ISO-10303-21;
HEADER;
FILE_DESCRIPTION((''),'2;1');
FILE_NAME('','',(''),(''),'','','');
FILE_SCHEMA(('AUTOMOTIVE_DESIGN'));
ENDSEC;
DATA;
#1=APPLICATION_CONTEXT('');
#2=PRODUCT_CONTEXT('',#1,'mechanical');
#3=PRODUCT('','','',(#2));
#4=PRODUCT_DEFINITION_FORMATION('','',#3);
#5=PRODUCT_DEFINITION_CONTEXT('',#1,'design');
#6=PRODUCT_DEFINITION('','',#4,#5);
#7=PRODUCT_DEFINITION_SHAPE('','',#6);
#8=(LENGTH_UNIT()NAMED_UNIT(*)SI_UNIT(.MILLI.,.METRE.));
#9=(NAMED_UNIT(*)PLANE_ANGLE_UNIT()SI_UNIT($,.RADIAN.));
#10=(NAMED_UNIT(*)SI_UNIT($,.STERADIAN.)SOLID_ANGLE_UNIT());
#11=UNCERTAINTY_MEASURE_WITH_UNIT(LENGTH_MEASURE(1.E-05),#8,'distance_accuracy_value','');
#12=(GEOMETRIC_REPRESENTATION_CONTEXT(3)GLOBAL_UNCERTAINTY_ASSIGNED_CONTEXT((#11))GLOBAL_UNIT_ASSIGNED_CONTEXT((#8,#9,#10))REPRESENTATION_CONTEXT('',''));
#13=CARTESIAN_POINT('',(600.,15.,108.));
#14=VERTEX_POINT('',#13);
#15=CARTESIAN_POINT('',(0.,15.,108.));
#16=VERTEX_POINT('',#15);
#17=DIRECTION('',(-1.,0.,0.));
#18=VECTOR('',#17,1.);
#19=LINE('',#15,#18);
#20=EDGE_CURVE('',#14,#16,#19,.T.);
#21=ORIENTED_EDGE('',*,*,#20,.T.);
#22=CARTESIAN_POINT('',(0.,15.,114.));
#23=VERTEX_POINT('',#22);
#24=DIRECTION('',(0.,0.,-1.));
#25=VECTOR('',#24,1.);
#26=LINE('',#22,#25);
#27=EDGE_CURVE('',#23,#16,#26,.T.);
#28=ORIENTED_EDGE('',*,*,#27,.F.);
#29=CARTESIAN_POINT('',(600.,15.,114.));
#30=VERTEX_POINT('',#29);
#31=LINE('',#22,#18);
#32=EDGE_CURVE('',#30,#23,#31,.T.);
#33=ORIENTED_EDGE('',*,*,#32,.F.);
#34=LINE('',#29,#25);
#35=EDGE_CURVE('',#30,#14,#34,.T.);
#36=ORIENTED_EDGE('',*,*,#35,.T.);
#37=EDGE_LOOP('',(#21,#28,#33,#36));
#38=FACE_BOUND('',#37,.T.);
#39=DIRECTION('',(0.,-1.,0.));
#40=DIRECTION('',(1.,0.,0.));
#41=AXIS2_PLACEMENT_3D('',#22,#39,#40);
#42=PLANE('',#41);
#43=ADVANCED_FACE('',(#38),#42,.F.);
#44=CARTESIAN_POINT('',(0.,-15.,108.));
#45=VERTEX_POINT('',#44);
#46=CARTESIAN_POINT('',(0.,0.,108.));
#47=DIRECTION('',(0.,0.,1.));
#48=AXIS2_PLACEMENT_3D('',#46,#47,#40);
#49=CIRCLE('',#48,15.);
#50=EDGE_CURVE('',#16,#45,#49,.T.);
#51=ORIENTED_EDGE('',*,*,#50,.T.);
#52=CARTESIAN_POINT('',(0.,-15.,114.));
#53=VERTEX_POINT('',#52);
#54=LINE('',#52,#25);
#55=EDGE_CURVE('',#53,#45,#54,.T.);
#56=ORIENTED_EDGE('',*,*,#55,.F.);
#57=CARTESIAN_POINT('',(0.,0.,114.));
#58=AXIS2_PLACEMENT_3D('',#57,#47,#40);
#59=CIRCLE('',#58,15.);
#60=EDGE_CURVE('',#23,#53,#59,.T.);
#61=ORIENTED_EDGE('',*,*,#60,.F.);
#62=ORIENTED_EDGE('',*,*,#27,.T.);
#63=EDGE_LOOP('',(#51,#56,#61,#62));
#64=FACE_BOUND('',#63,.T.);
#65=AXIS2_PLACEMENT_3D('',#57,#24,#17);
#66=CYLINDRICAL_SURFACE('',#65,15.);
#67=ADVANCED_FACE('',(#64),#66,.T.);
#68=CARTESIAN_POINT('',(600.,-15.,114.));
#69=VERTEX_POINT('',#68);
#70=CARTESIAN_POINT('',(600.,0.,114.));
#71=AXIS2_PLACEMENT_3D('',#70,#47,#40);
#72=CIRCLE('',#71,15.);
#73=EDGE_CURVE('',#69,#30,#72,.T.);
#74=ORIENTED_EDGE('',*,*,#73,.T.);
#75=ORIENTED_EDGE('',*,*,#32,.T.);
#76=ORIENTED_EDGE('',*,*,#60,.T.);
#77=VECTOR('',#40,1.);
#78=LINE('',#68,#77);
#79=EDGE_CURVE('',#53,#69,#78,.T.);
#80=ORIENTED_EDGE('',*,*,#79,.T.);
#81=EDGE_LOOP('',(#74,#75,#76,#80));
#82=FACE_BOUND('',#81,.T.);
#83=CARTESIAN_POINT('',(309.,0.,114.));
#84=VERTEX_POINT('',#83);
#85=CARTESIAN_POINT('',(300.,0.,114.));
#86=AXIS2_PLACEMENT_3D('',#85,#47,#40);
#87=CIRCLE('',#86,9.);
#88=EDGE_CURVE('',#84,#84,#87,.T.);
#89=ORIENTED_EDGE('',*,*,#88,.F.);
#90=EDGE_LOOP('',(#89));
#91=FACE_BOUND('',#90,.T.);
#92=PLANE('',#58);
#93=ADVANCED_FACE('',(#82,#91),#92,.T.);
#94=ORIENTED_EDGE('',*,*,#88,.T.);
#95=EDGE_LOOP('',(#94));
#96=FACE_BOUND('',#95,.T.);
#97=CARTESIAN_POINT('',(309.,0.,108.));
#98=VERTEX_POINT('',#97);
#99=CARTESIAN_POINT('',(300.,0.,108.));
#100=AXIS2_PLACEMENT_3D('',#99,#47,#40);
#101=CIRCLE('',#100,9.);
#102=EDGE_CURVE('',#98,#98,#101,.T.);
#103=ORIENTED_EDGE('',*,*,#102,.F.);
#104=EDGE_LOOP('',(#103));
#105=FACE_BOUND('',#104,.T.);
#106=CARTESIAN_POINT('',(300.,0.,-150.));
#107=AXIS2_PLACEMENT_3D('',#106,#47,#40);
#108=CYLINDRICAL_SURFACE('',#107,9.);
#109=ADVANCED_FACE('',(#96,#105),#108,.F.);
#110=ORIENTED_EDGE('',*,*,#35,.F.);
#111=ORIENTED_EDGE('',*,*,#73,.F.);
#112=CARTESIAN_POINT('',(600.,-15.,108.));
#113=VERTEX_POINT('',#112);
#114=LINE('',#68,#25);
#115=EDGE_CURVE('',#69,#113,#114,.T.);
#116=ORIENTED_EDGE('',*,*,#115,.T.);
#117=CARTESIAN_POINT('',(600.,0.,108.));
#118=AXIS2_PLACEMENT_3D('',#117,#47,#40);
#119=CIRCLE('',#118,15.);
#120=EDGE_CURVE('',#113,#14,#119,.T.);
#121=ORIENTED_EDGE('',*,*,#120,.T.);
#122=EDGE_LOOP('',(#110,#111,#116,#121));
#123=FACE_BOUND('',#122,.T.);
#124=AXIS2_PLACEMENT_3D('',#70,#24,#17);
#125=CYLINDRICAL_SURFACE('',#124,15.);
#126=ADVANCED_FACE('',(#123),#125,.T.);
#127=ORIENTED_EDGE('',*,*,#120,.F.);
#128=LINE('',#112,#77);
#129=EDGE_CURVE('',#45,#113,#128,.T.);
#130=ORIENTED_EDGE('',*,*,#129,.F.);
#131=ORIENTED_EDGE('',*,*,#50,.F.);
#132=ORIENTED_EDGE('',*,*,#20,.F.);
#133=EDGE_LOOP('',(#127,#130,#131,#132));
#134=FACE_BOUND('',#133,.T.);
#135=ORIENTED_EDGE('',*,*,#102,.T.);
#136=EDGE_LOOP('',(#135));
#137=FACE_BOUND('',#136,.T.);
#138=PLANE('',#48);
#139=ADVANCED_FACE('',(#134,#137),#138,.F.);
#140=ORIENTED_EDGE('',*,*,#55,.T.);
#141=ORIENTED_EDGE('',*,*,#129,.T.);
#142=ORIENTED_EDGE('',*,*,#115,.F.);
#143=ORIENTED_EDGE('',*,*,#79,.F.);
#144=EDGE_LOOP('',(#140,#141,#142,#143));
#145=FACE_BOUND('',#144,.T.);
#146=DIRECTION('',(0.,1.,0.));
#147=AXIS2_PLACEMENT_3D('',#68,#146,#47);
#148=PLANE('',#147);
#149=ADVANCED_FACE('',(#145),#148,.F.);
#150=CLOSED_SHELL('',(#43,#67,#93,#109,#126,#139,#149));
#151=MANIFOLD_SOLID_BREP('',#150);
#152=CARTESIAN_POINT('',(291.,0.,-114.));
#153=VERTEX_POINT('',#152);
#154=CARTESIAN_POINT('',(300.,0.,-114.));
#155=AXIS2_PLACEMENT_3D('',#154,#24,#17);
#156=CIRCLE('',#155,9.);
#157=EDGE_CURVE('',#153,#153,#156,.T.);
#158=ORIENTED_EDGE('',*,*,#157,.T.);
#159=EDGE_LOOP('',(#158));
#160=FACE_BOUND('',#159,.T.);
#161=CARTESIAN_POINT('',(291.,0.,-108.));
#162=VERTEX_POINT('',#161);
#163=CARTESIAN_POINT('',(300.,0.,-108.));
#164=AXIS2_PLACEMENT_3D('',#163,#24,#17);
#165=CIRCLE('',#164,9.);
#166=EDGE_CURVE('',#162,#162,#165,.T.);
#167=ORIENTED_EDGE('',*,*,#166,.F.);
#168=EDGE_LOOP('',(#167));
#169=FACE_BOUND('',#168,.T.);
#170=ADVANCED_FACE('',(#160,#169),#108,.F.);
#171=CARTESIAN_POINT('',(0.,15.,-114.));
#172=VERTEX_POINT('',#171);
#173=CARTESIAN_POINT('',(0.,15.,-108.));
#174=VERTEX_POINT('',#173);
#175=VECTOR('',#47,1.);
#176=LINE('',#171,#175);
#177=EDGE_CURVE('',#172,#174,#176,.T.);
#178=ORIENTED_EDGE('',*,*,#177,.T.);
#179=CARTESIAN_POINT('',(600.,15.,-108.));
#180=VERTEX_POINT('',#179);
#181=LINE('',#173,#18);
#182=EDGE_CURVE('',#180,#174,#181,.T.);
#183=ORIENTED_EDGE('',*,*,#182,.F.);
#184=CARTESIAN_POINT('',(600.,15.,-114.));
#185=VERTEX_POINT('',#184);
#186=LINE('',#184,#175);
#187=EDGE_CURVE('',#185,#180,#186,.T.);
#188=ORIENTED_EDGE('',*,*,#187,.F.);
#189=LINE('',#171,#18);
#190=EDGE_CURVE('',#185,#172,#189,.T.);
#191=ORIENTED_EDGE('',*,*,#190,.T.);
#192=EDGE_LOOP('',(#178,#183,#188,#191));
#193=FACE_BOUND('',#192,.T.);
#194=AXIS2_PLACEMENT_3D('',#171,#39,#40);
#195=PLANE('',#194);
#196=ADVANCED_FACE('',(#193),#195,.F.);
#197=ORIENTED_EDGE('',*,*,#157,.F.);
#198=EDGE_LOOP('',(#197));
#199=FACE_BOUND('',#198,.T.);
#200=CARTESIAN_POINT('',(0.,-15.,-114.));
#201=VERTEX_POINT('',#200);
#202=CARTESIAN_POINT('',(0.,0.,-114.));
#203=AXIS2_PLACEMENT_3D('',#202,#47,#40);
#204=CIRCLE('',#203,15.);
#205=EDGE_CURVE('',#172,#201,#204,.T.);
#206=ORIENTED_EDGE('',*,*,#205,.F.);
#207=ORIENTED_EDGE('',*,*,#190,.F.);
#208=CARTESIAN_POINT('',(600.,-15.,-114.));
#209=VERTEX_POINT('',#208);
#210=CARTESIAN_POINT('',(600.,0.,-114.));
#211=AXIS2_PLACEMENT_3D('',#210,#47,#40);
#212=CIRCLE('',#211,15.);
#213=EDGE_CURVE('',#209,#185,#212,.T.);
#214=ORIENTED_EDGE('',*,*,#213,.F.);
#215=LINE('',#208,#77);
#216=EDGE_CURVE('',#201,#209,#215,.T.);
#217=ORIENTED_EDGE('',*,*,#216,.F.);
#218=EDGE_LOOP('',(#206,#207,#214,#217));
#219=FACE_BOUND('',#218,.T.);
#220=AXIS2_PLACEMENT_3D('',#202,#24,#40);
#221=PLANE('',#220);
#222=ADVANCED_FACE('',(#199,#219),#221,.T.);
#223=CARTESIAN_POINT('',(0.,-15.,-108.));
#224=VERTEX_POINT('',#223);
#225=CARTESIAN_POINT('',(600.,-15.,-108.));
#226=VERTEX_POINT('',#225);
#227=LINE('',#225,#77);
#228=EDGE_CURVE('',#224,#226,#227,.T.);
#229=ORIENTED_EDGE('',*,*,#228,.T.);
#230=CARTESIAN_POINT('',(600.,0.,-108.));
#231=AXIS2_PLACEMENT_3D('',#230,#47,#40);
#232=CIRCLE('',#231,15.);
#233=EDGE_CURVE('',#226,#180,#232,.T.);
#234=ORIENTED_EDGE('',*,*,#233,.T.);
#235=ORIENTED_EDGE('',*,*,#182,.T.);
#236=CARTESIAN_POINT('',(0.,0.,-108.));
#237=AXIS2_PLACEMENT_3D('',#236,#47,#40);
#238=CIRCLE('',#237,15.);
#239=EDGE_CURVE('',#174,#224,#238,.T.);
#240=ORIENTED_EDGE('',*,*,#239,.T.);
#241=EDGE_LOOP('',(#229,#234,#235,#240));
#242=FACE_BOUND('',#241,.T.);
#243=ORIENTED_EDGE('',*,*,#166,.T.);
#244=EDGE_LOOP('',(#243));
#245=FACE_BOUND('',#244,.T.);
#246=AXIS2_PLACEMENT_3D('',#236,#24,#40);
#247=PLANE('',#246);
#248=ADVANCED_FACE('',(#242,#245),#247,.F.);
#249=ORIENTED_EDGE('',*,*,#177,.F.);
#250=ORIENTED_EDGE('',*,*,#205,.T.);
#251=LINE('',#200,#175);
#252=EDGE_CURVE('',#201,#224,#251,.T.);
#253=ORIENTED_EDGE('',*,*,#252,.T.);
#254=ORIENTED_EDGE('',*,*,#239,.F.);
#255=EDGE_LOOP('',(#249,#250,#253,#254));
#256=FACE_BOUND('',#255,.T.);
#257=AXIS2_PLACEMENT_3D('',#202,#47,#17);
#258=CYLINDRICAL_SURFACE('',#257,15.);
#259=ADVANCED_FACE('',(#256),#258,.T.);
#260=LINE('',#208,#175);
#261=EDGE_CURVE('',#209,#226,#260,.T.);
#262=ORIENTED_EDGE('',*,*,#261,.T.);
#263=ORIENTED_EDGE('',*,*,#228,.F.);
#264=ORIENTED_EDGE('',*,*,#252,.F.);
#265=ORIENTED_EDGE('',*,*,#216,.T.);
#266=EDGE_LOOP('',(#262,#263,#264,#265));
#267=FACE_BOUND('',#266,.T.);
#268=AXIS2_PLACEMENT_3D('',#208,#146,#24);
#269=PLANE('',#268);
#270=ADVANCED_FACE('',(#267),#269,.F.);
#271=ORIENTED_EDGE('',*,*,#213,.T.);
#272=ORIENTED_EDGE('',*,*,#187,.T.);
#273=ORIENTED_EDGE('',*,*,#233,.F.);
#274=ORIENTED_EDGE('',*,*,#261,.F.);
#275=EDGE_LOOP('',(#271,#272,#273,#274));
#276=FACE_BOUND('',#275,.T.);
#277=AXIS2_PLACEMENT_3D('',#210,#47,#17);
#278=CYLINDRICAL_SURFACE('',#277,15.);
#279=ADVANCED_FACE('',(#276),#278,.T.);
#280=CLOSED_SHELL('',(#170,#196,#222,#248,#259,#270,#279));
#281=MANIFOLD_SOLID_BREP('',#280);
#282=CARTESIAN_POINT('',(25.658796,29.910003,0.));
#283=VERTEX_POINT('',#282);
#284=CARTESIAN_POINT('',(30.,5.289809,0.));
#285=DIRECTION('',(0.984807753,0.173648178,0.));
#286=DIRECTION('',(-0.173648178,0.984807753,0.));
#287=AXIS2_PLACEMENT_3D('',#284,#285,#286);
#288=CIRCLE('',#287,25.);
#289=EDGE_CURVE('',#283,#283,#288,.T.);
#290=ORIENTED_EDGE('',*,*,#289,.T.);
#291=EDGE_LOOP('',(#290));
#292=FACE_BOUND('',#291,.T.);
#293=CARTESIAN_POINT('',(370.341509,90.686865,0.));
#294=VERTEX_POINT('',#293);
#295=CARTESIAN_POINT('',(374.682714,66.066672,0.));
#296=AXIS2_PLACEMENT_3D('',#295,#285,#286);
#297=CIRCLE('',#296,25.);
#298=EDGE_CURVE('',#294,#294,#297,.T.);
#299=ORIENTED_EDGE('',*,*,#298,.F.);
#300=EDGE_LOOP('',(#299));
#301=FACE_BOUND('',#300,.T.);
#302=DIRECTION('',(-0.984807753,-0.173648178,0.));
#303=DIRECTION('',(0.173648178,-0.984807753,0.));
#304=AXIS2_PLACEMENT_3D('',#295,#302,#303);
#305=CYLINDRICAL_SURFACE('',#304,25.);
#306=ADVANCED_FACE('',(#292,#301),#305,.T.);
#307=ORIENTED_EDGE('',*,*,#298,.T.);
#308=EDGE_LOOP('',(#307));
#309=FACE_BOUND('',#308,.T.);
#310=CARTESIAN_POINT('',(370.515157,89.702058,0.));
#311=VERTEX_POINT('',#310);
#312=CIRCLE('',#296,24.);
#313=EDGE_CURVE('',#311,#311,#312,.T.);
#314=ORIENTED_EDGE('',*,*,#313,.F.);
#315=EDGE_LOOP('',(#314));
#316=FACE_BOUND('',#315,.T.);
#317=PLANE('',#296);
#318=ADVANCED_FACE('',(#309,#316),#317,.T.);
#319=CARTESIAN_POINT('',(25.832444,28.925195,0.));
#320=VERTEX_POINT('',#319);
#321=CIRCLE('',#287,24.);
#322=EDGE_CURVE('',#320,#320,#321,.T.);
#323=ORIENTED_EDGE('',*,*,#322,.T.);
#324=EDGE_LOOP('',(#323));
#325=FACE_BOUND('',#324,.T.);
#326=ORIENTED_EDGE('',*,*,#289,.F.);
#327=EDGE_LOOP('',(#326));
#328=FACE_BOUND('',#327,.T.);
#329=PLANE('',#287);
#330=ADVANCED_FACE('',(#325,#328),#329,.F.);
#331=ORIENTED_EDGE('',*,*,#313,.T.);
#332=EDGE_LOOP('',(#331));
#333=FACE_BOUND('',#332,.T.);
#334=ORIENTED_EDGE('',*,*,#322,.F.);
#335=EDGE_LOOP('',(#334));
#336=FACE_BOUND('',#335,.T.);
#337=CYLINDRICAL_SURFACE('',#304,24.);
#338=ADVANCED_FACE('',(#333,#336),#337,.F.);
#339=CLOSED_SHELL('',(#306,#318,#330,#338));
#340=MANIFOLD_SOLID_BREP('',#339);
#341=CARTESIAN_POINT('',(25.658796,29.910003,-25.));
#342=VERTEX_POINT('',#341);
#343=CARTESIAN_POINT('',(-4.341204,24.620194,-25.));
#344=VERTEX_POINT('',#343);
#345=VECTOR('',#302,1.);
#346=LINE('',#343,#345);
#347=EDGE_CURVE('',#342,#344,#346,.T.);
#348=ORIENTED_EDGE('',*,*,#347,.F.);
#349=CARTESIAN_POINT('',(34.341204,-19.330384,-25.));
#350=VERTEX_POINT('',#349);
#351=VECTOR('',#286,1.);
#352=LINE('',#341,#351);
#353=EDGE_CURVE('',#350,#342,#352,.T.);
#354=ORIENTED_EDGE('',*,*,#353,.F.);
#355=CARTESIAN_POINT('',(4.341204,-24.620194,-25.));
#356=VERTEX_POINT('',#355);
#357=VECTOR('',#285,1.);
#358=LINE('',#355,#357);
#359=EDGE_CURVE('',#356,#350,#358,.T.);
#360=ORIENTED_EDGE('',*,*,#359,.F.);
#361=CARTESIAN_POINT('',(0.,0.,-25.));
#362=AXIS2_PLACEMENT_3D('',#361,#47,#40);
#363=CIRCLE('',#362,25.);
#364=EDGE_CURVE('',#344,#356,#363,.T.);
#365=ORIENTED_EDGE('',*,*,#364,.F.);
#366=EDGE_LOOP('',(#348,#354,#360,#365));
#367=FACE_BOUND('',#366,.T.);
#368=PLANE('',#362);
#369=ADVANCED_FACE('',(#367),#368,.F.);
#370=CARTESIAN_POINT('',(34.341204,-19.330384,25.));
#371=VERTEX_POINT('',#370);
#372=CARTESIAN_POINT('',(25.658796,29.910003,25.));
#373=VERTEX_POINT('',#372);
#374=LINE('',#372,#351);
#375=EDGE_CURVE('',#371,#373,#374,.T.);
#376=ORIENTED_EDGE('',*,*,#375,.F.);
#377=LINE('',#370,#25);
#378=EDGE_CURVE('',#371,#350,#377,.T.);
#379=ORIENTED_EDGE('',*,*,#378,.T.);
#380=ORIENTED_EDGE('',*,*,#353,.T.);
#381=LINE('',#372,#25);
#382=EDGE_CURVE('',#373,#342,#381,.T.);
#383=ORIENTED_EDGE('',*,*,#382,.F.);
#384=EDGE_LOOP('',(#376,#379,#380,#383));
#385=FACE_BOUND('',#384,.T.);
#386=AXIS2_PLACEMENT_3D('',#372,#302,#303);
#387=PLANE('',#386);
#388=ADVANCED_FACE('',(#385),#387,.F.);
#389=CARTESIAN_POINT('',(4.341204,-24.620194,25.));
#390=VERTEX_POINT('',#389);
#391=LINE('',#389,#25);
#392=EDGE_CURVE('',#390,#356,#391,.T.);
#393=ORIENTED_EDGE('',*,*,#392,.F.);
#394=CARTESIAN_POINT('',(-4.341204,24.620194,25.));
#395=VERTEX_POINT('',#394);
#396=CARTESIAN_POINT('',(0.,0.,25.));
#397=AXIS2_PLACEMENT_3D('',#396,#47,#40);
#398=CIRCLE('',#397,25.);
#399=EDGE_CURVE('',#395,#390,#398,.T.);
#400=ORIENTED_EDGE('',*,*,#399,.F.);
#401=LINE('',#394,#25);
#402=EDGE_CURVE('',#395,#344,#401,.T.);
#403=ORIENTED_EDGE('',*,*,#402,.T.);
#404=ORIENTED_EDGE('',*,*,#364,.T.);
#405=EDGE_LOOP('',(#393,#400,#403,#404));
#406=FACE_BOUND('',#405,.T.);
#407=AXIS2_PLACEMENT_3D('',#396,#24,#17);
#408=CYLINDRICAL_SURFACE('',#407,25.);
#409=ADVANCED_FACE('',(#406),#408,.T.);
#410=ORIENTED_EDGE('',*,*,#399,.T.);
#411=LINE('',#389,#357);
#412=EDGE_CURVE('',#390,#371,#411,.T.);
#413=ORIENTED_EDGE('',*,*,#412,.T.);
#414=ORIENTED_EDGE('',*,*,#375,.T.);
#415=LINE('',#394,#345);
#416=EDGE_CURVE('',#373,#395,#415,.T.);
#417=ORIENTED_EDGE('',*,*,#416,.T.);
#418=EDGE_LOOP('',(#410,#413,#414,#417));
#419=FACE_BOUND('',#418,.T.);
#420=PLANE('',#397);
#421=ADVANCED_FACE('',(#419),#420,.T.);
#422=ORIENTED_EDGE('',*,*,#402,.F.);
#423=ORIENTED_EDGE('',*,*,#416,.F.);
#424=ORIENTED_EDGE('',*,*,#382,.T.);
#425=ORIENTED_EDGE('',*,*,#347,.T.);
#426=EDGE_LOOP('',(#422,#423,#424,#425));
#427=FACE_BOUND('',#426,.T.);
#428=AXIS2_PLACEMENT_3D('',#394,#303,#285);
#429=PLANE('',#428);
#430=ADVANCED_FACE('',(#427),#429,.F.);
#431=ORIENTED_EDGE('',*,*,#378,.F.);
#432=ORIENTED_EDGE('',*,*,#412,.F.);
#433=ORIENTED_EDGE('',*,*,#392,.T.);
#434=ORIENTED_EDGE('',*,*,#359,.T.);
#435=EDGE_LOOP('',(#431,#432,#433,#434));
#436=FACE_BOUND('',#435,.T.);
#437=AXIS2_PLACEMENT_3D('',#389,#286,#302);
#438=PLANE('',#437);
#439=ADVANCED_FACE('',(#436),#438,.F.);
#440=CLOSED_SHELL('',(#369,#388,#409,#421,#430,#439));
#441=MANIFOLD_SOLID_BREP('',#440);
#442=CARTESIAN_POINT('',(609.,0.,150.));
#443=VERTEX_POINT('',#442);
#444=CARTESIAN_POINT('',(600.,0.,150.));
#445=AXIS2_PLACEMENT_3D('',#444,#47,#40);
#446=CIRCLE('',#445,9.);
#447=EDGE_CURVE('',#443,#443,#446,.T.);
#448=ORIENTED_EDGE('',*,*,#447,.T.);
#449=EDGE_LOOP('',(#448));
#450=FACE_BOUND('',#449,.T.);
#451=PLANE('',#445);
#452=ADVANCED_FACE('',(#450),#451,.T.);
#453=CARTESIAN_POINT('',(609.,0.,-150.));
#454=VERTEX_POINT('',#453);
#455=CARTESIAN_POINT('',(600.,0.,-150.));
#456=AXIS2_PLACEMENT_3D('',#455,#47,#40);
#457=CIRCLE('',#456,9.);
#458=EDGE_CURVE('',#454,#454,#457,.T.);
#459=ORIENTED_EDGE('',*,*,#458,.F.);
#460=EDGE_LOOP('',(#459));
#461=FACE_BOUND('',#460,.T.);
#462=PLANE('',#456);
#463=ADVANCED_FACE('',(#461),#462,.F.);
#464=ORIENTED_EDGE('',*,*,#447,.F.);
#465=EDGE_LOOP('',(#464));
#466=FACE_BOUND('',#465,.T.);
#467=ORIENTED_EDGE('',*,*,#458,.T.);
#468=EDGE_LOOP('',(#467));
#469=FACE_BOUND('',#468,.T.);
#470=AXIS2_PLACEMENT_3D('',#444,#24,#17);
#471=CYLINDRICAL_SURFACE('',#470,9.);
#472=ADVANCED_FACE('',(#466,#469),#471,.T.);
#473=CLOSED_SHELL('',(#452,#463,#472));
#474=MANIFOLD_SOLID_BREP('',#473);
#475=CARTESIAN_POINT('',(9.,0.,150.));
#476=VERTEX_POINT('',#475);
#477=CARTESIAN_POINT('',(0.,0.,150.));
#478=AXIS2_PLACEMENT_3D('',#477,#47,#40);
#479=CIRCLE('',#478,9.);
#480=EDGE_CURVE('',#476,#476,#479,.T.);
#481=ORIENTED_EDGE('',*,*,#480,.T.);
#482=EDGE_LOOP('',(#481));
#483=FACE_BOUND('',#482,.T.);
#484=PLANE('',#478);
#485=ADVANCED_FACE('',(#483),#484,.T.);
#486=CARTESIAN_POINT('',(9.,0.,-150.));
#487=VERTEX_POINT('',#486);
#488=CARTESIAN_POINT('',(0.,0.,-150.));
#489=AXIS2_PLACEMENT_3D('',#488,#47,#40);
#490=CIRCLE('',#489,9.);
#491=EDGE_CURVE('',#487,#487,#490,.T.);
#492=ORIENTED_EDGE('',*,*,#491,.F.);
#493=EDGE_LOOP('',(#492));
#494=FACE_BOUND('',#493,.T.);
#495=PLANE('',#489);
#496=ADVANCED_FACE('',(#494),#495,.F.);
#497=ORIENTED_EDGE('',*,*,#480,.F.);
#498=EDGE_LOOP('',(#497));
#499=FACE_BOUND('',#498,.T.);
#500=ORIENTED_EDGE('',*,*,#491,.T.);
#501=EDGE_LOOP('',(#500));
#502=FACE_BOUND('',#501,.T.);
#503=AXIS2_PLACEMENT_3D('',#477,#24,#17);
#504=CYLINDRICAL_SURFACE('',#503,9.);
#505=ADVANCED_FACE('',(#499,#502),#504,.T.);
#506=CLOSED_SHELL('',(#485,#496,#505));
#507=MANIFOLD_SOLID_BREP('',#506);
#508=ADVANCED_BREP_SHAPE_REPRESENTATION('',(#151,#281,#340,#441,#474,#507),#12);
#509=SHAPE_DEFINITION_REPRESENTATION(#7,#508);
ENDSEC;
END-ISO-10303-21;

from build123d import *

# Parameters (mm, degrees)
SKETCH_1_R          = 15
EXTRUDE_1_DEPTH     = 250
EXTRUDE_1_2_DEPTH   = 250
EXTRUDE_2_DEPTH     = 10
SKETCH_3_R          = 15
CUT_EXTRUDE_1_DEPTH = 250
EXTRUDE_3_DEPTH     = 25
SKETCH_5_R          = 25
SKETCH_5_R_2        = 24
EXTRUDE_4_DEPTH     = 350
SCALE_1_SCALE       = 0.6


with BuildPart() as part:
    # 草图1 → 凸台-拉伸1 (new, symmetric)
    with BuildSketch(Plane.XY):
        Circle(SKETCH_1_R)
    extrude(amount=EXTRUDE_1_DEPTH, both=True)


with BuildPart() as body_2:
    # 草图1 → Extrude 1 2 (new, symmetric)
    with BuildSketch(Plane.XY):
        with Locations((1000, 0)):
            Circle(SKETCH_1_R)
    extrude(amount=EXTRUDE_1_2_DEPTH, both=True)


with BuildPart() as body_3:
    # 草图2 → 凸台-拉伸2 (new body)
    with BuildSketch(Plane.XY.offset(180)):
        with BuildLine():
            Line((0, 25), (1000, 25))
            ThreePointArc((1000, 25), (1025, 0), (1000, -25))
            Line((1000, -25), (0, -25))
            ThreePointArc((0, -25), (-25, 0), (0, 25))
        make_face()
    extrude(amount=EXTRUDE_2_DEPTH)


with BuildPart() as body_4:
    # 镜向2: mirrored copy
    add(body_3.part.mirror(Plane.XY))


with BuildPart() as cut_extrude_1_tool:
    # 草图3 → 切除-拉伸1 (new, symmetric)
    with BuildSketch(Plane.XY):
        with Locations((500, 0)):
            Circle(SKETCH_3_R)
    extrude(amount=CUT_EXTRUDE_1_DEPTH, both=True)


with BuildPart() as body_3_1:
    add(body_3.part)

    # 切除-拉伸1: cut by cut_extrude_1_tool
    add(cut_extrude_1_tool.part, mode=Mode.SUBTRACT)


with BuildPart() as body_4_1:
    add(body_4.part)

    # 切除-拉伸1: cut by cut_extrude_1_tool
    add(cut_extrude_1_tool.part, mode=Mode.SUBTRACT)


with BuildPart() as body_5:
    # 草图4 → 凸台-拉伸3 (new, symmetric)
    with BuildSketch(Plane.XY):
        with BuildLine():
            Line((-4.341204442, 24.620193825), (25.658795558, 29.910003247))
            Line((25.658795558, 29.910003247), (34.341204442, -19.330384404))
            Line((34.341204442, -19.330384404), (4.341204442, -24.620193825))
            ThreePointArc((4.341204442, -24.620193825), (-24.620193825, -4.341204442), (-4.341204442, 24.620193825))
        make_face()
    extrude(amount=EXTRUDE_3_DEPTH, both=True)


with BuildPart() as body_6:
    # 草图5 → 凸台-拉伸4 (new body)
    with BuildSketch(Plane(origin=(30, 5.289809421, 0), x_dir=(0, 0, -1), z_dir=(0.9848077530122079, 0.17364817766693116, 0))):
        with Locations(Location((0, 0, 0), (0, 0, 90))):
            Circle(SKETCH_5_R)
        with Locations(Location((0, 0, 0), (0, 0, 90))):
            Circle(SKETCH_5_R_2, mode=Mode.SUBTRACT)
    extrude(amount=EXTRUDE_4_DEPTH)


with BuildPart() as body_2_1:
    # 缩放比例1: scaled about (0, 0, 0)
    add(body_2.part.scale(SCALE_1_SCALE))


with BuildPart() as body_4_2:
    # 缩放比例1: scaled about (0, 0, 0)
    add(body_4_1.part.scale(SCALE_1_SCALE))


with BuildPart() as part_1:
    # 缩放比例1: scaled about (0, 0, 0)
    add(part.part.scale(SCALE_1_SCALE))


with BuildPart() as body_3_2:
    # 缩放比例1: scaled about (0, 0, 0)
    add(body_3_1.part.scale(SCALE_1_SCALE))


solid = Compound([body_5.part, body_6.part, body_2_1.part, body_4_2.part, part_1.part, body_3_2.part])
